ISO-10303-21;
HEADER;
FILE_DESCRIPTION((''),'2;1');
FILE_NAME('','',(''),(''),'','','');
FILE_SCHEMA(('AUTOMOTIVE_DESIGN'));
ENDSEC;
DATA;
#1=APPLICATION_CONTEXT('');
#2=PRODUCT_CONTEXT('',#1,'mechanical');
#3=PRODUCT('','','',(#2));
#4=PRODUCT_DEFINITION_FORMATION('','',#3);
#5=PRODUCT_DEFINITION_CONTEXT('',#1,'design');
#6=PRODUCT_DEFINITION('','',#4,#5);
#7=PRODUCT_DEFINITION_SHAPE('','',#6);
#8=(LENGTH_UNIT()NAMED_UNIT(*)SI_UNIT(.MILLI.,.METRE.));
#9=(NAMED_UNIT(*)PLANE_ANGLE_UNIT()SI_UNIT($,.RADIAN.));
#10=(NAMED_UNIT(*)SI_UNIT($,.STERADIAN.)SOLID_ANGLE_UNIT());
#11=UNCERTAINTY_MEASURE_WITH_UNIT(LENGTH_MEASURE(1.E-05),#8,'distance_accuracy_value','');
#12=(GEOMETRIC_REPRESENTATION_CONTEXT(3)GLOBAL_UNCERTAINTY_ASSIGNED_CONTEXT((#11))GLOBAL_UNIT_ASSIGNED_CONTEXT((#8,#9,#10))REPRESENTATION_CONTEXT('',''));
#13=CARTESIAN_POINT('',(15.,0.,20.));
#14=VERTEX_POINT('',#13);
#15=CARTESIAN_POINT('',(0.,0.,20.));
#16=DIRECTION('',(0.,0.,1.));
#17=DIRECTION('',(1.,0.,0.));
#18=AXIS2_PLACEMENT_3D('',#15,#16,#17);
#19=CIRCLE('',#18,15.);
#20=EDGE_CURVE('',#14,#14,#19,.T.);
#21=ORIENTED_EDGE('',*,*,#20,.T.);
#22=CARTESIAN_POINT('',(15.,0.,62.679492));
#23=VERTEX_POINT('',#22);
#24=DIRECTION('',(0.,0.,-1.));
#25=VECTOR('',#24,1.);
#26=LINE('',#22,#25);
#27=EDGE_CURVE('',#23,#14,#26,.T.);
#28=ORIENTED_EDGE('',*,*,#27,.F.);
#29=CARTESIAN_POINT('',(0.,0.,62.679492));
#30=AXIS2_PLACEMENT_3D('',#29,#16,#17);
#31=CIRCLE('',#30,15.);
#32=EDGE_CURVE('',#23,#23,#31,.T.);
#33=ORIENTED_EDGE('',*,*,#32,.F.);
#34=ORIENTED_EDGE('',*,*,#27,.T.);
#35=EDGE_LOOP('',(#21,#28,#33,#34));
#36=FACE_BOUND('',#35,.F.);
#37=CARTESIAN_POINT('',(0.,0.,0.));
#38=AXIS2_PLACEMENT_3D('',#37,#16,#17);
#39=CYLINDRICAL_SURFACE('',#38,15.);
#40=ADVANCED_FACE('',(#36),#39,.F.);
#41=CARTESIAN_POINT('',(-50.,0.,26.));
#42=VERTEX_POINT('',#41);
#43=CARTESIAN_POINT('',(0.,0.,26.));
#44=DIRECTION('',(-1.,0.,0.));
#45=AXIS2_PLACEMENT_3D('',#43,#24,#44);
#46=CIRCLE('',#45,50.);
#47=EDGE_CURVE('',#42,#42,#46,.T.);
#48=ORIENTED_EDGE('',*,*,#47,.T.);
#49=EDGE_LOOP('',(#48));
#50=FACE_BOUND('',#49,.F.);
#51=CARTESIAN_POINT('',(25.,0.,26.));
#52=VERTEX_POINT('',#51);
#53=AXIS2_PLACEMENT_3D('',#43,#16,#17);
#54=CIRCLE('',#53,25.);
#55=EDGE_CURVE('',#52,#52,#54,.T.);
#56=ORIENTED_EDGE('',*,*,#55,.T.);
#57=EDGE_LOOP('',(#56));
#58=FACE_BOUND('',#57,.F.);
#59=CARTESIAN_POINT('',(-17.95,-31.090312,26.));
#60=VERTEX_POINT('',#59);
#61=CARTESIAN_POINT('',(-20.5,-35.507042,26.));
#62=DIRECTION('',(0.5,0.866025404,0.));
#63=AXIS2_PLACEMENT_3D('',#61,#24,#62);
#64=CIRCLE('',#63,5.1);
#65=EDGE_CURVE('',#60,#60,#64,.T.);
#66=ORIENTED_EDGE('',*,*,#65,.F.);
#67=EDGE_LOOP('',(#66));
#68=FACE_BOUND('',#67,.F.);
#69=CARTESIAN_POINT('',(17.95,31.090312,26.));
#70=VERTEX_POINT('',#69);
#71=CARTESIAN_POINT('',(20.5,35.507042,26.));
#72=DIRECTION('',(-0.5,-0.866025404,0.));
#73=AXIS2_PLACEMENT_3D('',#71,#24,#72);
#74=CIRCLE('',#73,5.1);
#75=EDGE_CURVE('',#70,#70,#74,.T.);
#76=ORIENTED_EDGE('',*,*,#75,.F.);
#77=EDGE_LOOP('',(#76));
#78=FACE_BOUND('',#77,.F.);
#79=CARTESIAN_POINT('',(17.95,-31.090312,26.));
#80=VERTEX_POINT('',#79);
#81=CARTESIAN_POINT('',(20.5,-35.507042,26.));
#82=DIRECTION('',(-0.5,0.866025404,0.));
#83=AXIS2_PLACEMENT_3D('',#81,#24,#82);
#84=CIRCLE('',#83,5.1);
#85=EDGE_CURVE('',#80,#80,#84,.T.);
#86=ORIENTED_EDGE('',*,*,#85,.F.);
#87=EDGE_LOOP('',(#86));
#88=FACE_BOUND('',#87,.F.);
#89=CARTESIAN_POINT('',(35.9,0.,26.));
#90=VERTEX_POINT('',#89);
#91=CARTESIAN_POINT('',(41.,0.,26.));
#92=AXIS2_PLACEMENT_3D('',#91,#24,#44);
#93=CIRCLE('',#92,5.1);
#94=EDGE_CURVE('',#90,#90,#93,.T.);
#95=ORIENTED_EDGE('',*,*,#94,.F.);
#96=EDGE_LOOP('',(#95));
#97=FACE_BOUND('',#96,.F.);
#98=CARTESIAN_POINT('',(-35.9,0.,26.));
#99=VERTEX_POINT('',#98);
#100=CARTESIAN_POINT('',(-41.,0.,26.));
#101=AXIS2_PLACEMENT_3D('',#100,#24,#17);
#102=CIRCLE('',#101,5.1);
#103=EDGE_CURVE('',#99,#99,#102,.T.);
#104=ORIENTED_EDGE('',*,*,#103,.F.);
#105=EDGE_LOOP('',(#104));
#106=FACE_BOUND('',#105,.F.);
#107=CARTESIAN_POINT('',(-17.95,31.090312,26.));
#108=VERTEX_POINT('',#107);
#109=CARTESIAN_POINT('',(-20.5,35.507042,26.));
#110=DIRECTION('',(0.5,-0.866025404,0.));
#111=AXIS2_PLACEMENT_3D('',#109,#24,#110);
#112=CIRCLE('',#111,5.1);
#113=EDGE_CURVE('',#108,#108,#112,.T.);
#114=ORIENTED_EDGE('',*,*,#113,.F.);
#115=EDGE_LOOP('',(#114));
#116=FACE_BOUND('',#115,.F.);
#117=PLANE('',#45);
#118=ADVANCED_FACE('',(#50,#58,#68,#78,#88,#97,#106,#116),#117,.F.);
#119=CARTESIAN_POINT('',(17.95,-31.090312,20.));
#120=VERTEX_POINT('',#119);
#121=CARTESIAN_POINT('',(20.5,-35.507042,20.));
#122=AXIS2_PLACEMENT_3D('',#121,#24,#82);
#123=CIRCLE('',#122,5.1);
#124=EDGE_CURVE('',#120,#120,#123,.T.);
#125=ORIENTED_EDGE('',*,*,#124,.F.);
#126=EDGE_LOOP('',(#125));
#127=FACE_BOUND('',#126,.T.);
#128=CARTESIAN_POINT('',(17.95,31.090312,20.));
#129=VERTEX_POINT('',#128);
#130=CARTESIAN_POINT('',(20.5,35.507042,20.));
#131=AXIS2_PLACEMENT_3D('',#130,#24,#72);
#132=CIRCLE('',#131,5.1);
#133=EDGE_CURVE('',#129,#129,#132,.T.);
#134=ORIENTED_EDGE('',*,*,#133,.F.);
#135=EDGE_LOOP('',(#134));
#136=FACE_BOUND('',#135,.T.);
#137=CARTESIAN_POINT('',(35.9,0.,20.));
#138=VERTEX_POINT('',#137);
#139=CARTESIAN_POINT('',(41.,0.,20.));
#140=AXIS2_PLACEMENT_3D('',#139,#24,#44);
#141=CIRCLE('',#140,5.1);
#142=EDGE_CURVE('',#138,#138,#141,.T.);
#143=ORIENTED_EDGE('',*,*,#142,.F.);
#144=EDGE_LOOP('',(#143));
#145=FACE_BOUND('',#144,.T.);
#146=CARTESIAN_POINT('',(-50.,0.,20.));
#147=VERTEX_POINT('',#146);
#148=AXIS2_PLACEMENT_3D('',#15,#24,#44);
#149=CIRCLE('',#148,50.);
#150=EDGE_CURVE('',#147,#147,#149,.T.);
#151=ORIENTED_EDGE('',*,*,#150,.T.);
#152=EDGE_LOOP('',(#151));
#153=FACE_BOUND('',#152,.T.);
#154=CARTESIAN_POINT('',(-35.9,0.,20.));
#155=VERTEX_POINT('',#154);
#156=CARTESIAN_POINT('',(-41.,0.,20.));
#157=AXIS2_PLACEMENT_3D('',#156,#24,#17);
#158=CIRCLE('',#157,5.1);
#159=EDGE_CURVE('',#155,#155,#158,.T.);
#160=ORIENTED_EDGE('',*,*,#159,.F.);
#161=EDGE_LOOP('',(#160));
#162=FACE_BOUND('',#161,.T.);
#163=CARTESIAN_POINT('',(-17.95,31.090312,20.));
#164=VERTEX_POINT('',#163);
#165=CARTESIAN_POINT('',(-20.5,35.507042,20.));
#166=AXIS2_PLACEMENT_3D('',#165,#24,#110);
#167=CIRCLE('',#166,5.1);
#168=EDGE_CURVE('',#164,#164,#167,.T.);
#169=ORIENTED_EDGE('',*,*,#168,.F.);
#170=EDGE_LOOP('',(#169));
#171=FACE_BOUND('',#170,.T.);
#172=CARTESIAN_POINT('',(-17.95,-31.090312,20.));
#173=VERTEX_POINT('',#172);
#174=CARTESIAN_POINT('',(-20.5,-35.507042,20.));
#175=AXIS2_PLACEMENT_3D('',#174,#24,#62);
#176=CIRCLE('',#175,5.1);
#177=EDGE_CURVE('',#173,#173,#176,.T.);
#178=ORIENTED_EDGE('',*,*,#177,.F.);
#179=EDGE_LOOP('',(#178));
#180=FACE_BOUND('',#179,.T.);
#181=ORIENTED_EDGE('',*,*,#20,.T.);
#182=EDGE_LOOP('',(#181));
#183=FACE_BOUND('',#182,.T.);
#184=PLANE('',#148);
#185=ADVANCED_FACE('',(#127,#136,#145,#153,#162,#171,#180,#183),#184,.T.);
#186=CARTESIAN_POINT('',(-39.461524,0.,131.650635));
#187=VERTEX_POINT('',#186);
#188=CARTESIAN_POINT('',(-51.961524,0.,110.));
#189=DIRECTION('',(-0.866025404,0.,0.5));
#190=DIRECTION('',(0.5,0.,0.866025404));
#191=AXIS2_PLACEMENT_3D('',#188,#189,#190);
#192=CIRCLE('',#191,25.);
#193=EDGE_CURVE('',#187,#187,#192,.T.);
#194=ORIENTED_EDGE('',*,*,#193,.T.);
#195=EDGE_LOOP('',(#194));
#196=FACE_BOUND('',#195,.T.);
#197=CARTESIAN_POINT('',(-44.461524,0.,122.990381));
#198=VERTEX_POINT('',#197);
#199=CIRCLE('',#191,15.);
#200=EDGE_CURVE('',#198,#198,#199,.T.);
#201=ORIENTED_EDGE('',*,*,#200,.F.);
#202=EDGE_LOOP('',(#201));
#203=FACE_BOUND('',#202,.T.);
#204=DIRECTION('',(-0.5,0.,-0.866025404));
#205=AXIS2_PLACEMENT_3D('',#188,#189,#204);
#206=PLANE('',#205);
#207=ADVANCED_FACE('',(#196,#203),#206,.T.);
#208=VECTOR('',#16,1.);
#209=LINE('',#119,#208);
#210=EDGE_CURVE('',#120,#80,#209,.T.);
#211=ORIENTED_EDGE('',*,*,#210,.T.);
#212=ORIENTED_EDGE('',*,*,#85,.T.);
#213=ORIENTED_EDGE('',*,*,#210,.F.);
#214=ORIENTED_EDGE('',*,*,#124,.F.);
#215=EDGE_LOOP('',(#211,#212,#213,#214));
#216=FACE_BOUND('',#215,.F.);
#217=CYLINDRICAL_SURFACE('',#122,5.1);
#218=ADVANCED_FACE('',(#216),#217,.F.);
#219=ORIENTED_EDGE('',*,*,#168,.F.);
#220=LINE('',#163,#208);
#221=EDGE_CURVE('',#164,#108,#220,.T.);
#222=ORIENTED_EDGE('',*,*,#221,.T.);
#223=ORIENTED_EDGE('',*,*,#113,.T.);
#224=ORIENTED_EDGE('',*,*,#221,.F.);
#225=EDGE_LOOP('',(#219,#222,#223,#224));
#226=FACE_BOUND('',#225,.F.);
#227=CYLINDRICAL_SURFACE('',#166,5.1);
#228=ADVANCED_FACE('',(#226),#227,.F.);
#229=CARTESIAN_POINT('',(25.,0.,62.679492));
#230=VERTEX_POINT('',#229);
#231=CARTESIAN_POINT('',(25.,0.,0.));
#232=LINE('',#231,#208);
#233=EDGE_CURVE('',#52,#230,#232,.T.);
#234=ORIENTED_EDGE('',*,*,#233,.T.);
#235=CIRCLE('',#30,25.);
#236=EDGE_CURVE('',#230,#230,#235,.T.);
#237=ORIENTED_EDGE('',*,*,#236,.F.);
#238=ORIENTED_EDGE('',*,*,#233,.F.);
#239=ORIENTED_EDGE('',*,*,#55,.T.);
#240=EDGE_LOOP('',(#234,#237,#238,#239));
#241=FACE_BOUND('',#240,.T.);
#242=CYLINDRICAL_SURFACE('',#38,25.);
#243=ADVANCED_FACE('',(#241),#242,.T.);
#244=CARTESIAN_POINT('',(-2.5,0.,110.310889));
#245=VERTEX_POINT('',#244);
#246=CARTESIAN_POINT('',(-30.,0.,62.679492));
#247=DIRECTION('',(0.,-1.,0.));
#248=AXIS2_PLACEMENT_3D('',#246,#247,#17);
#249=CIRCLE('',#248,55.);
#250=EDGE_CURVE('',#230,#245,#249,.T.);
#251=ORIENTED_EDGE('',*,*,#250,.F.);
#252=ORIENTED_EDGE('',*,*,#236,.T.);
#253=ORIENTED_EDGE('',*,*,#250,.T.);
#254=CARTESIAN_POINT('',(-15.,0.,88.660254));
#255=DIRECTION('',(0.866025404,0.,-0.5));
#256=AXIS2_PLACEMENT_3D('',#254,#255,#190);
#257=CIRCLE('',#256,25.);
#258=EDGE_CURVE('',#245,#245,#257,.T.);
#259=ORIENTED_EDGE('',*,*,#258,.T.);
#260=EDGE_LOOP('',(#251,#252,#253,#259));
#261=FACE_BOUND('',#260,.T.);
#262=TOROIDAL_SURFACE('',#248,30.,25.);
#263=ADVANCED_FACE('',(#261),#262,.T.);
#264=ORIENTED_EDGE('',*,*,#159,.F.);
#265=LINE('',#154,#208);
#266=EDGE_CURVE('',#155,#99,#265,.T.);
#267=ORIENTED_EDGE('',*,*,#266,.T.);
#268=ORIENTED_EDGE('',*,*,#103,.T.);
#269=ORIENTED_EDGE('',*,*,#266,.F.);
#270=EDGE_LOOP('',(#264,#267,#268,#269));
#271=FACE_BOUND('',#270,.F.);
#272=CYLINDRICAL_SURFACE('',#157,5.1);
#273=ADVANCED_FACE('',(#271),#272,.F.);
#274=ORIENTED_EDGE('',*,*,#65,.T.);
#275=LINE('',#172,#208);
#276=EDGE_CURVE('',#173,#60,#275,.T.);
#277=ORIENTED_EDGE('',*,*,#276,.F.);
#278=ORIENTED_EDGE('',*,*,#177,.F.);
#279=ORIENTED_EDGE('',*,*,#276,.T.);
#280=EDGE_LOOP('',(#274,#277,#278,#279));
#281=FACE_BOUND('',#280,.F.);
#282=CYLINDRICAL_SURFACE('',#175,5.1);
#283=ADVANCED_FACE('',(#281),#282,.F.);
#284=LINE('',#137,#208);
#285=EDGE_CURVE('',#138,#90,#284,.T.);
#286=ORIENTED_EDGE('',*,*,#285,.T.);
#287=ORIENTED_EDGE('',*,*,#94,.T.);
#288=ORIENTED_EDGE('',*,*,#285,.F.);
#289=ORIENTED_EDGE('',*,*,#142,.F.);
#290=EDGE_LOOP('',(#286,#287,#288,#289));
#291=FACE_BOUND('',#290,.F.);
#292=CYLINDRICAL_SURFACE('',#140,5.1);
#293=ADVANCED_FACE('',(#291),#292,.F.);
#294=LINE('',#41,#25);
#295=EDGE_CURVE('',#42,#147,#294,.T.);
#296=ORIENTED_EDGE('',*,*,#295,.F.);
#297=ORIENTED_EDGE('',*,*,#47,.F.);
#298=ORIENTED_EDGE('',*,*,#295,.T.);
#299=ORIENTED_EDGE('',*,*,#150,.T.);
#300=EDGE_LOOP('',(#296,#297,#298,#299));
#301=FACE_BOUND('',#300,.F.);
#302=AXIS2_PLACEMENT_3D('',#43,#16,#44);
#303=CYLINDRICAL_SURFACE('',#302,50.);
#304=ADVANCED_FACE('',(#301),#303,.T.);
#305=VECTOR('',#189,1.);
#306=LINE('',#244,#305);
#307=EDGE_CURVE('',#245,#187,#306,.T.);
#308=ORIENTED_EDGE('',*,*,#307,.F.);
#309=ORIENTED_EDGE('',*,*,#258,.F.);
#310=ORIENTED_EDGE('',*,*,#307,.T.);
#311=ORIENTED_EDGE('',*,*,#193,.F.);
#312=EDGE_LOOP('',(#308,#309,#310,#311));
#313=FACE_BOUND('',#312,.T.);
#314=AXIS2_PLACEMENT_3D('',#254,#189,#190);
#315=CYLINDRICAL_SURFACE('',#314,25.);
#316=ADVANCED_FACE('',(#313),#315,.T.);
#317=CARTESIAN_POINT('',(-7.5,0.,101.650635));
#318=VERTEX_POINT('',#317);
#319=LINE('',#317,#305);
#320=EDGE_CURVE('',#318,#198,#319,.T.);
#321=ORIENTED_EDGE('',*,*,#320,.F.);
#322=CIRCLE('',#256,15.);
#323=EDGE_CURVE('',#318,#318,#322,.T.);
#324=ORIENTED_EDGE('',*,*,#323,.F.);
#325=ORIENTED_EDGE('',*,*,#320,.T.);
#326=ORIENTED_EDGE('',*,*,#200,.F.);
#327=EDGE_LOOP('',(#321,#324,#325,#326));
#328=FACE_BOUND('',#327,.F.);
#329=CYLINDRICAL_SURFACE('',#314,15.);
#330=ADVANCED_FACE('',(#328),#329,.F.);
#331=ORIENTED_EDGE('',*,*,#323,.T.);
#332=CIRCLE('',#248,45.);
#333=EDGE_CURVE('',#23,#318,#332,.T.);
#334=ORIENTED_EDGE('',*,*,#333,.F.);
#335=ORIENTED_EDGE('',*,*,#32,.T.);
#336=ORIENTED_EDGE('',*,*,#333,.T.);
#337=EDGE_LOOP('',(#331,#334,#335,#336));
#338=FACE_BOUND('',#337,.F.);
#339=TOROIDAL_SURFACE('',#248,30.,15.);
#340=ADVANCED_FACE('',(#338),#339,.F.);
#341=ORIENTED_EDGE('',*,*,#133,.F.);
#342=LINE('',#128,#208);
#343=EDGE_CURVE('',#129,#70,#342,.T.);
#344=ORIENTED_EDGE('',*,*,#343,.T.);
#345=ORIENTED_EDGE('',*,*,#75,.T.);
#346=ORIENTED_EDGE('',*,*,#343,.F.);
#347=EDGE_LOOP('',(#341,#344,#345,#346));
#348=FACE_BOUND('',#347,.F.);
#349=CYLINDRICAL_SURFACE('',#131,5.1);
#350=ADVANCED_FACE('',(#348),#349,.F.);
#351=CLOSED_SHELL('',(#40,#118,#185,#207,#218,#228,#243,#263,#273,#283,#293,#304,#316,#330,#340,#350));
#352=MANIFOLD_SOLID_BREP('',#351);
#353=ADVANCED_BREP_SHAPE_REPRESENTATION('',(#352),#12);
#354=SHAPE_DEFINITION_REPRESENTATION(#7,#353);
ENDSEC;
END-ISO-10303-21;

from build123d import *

# Parameters (mm, degrees)
SKETCH_1_R               = 25
SKETCH_1_R_2             = 15
EXTRUDE_START            = -25
SKETCH_3_R               = 36
SKETCH_3_R_2             = 25
EXTRUDE_2_DEPTH          = 5
SKETCH_4_W               = 10
SKETCH_4_H               = 4
CUT_EXTRUDE_START        = -20
SKETCH_5_R               = 25
CUT_EXTRUDE_1_DEPTH      = 20
EXTRUDE_START_2          = -6
SKETCH_6_R               = 50
SKETCH_6_R_2             = 15
EXTRUDE_3_DEPTH          = 6
CUT_EXTRUDE_2_REACH      = 140.279
SKETCH_7_R               = 5.1
PATTERN_CIRCULAR_1_COUNT = 6


with BuildPart() as part:
    # По траектории1: sweep along a path in Эскиз2
    with BuildLine(Plane(origin=(0, 0, 0), x_dir=(1, 0, 0), z_dir=(0, 1, 0))) as sweep_1_path:
        Line((0, 0), (0, -62.679491924))
        ThreePointArc((0, -62.679491924), (-4.019237886, -77.679491924), (-15, -88.660254038))
        Line((-15, -88.660254038), (-51.961524227, -110))
    # Эскиз1 → По траектории1 (sweep)
    with BuildSketch(Plane.XY):
        Circle(SKETCH_1_R)
        Circle(SKETCH_1_R_2, mode=Mode.SUBTRACT)
    sweep(path=sweep_1_path.line)

    # Эскиз3 → Бобышка-Вытянуть2 (add)
    with BuildSketch(Plane(origin=(0, 0, 0), x_dir=(-1, 0, 0), z_dir=(0, 0, -1)).offset(EXTRUDE_START)):
        Circle(SKETCH_3_R)
        Circle(SKETCH_3_R_2, mode=Mode.SUBTRACT)
    extrude(amount=EXTRUDE_2_DEPTH)

    # Эскиз4 → Вырез-Повернуть1 (revolve, cut)
    with BuildSketch(Plane(origin=(0, 0, 0), x_dir=(1, 0, 0), z_dir=(0, 1, 0)), mode=Mode.PRIVATE) as cut_revolve_1_sk:
        with Locations((27, -18)):
            Rectangle(SKETCH_4_W, SKETCH_4_H)
    revolve(cut_revolve_1_sk.sketch.rotate(Axis((0, 0, 0), (0, 0, 1)), 180), axis=Axis((0, 0, 0), (0, 0, 1)), mode=Mode.SUBTRACT)

    # Эскиз5 → Вырез-Вытянуть1 (cut)
    with BuildSketch(Plane(origin=(0, 0, 0), x_dir=(-1, 0, 0), z_dir=(0, 0, -1)).offset(CUT_EXTRUDE_START)):
        Circle(SKETCH_5_R)
    extrude(amount=CUT_EXTRUDE_1_DEPTH, mode=Mode.SUBTRACT)

    # Эскиз6 → Бобышка-Вытянуть3 (add)
    with BuildSketch(Plane(origin=(0, 0, 20), x_dir=(-1, 0, 0), z_dir=(0, 0, -1)).offset(EXTRUDE_START_2)):
        Circle(SKETCH_6_R)
        Circle(SKETCH_6_R_2, mode=Mode.SUBTRACT)
    extrude(amount=EXTRUDE_3_DEPTH)

    # Эскиз7 → Вырез-Вытянуть2 (cut, up to next)
    with BuildSketch(Plane(origin=(0, 0, 20), x_dir=(-1, 0, 0), z_dir=(0, 0, -1)), mode=Mode.PRIVATE) as cut_extrude_2_sk1:
        with Locations((-41, 0)):
            Circle(SKETCH_7_R)
    cut_extrude_2_tool1 = extrude(cut_extrude_2_sk1.sketch, amount=-CUT_EXTRUDE_2_REACH, mode=Mode.PRIVATE) & part.part
    cut_extrude_2 = cut_extrude_2_tool1.solids().sort_by_distance((41, 0, 20))[0]
    add(cut_extrude_2, mode=Mode.SUBTRACT)

    # Круговой массив1: Вырез-Вытянуть2 ×6 about axis
    pattern_circular_1_axis = Axis((0, 0, 0), (0, 0, 1))
    for i in range(1, PATTERN_CIRCULAR_1_COUNT):
        add(cut_extrude_2.rotate(pattern_circular_1_axis, i * 360 / PATTERN_CIRCULAR_1_COUNT), mode=Mode.SUBTRACT)


solid = part.part
